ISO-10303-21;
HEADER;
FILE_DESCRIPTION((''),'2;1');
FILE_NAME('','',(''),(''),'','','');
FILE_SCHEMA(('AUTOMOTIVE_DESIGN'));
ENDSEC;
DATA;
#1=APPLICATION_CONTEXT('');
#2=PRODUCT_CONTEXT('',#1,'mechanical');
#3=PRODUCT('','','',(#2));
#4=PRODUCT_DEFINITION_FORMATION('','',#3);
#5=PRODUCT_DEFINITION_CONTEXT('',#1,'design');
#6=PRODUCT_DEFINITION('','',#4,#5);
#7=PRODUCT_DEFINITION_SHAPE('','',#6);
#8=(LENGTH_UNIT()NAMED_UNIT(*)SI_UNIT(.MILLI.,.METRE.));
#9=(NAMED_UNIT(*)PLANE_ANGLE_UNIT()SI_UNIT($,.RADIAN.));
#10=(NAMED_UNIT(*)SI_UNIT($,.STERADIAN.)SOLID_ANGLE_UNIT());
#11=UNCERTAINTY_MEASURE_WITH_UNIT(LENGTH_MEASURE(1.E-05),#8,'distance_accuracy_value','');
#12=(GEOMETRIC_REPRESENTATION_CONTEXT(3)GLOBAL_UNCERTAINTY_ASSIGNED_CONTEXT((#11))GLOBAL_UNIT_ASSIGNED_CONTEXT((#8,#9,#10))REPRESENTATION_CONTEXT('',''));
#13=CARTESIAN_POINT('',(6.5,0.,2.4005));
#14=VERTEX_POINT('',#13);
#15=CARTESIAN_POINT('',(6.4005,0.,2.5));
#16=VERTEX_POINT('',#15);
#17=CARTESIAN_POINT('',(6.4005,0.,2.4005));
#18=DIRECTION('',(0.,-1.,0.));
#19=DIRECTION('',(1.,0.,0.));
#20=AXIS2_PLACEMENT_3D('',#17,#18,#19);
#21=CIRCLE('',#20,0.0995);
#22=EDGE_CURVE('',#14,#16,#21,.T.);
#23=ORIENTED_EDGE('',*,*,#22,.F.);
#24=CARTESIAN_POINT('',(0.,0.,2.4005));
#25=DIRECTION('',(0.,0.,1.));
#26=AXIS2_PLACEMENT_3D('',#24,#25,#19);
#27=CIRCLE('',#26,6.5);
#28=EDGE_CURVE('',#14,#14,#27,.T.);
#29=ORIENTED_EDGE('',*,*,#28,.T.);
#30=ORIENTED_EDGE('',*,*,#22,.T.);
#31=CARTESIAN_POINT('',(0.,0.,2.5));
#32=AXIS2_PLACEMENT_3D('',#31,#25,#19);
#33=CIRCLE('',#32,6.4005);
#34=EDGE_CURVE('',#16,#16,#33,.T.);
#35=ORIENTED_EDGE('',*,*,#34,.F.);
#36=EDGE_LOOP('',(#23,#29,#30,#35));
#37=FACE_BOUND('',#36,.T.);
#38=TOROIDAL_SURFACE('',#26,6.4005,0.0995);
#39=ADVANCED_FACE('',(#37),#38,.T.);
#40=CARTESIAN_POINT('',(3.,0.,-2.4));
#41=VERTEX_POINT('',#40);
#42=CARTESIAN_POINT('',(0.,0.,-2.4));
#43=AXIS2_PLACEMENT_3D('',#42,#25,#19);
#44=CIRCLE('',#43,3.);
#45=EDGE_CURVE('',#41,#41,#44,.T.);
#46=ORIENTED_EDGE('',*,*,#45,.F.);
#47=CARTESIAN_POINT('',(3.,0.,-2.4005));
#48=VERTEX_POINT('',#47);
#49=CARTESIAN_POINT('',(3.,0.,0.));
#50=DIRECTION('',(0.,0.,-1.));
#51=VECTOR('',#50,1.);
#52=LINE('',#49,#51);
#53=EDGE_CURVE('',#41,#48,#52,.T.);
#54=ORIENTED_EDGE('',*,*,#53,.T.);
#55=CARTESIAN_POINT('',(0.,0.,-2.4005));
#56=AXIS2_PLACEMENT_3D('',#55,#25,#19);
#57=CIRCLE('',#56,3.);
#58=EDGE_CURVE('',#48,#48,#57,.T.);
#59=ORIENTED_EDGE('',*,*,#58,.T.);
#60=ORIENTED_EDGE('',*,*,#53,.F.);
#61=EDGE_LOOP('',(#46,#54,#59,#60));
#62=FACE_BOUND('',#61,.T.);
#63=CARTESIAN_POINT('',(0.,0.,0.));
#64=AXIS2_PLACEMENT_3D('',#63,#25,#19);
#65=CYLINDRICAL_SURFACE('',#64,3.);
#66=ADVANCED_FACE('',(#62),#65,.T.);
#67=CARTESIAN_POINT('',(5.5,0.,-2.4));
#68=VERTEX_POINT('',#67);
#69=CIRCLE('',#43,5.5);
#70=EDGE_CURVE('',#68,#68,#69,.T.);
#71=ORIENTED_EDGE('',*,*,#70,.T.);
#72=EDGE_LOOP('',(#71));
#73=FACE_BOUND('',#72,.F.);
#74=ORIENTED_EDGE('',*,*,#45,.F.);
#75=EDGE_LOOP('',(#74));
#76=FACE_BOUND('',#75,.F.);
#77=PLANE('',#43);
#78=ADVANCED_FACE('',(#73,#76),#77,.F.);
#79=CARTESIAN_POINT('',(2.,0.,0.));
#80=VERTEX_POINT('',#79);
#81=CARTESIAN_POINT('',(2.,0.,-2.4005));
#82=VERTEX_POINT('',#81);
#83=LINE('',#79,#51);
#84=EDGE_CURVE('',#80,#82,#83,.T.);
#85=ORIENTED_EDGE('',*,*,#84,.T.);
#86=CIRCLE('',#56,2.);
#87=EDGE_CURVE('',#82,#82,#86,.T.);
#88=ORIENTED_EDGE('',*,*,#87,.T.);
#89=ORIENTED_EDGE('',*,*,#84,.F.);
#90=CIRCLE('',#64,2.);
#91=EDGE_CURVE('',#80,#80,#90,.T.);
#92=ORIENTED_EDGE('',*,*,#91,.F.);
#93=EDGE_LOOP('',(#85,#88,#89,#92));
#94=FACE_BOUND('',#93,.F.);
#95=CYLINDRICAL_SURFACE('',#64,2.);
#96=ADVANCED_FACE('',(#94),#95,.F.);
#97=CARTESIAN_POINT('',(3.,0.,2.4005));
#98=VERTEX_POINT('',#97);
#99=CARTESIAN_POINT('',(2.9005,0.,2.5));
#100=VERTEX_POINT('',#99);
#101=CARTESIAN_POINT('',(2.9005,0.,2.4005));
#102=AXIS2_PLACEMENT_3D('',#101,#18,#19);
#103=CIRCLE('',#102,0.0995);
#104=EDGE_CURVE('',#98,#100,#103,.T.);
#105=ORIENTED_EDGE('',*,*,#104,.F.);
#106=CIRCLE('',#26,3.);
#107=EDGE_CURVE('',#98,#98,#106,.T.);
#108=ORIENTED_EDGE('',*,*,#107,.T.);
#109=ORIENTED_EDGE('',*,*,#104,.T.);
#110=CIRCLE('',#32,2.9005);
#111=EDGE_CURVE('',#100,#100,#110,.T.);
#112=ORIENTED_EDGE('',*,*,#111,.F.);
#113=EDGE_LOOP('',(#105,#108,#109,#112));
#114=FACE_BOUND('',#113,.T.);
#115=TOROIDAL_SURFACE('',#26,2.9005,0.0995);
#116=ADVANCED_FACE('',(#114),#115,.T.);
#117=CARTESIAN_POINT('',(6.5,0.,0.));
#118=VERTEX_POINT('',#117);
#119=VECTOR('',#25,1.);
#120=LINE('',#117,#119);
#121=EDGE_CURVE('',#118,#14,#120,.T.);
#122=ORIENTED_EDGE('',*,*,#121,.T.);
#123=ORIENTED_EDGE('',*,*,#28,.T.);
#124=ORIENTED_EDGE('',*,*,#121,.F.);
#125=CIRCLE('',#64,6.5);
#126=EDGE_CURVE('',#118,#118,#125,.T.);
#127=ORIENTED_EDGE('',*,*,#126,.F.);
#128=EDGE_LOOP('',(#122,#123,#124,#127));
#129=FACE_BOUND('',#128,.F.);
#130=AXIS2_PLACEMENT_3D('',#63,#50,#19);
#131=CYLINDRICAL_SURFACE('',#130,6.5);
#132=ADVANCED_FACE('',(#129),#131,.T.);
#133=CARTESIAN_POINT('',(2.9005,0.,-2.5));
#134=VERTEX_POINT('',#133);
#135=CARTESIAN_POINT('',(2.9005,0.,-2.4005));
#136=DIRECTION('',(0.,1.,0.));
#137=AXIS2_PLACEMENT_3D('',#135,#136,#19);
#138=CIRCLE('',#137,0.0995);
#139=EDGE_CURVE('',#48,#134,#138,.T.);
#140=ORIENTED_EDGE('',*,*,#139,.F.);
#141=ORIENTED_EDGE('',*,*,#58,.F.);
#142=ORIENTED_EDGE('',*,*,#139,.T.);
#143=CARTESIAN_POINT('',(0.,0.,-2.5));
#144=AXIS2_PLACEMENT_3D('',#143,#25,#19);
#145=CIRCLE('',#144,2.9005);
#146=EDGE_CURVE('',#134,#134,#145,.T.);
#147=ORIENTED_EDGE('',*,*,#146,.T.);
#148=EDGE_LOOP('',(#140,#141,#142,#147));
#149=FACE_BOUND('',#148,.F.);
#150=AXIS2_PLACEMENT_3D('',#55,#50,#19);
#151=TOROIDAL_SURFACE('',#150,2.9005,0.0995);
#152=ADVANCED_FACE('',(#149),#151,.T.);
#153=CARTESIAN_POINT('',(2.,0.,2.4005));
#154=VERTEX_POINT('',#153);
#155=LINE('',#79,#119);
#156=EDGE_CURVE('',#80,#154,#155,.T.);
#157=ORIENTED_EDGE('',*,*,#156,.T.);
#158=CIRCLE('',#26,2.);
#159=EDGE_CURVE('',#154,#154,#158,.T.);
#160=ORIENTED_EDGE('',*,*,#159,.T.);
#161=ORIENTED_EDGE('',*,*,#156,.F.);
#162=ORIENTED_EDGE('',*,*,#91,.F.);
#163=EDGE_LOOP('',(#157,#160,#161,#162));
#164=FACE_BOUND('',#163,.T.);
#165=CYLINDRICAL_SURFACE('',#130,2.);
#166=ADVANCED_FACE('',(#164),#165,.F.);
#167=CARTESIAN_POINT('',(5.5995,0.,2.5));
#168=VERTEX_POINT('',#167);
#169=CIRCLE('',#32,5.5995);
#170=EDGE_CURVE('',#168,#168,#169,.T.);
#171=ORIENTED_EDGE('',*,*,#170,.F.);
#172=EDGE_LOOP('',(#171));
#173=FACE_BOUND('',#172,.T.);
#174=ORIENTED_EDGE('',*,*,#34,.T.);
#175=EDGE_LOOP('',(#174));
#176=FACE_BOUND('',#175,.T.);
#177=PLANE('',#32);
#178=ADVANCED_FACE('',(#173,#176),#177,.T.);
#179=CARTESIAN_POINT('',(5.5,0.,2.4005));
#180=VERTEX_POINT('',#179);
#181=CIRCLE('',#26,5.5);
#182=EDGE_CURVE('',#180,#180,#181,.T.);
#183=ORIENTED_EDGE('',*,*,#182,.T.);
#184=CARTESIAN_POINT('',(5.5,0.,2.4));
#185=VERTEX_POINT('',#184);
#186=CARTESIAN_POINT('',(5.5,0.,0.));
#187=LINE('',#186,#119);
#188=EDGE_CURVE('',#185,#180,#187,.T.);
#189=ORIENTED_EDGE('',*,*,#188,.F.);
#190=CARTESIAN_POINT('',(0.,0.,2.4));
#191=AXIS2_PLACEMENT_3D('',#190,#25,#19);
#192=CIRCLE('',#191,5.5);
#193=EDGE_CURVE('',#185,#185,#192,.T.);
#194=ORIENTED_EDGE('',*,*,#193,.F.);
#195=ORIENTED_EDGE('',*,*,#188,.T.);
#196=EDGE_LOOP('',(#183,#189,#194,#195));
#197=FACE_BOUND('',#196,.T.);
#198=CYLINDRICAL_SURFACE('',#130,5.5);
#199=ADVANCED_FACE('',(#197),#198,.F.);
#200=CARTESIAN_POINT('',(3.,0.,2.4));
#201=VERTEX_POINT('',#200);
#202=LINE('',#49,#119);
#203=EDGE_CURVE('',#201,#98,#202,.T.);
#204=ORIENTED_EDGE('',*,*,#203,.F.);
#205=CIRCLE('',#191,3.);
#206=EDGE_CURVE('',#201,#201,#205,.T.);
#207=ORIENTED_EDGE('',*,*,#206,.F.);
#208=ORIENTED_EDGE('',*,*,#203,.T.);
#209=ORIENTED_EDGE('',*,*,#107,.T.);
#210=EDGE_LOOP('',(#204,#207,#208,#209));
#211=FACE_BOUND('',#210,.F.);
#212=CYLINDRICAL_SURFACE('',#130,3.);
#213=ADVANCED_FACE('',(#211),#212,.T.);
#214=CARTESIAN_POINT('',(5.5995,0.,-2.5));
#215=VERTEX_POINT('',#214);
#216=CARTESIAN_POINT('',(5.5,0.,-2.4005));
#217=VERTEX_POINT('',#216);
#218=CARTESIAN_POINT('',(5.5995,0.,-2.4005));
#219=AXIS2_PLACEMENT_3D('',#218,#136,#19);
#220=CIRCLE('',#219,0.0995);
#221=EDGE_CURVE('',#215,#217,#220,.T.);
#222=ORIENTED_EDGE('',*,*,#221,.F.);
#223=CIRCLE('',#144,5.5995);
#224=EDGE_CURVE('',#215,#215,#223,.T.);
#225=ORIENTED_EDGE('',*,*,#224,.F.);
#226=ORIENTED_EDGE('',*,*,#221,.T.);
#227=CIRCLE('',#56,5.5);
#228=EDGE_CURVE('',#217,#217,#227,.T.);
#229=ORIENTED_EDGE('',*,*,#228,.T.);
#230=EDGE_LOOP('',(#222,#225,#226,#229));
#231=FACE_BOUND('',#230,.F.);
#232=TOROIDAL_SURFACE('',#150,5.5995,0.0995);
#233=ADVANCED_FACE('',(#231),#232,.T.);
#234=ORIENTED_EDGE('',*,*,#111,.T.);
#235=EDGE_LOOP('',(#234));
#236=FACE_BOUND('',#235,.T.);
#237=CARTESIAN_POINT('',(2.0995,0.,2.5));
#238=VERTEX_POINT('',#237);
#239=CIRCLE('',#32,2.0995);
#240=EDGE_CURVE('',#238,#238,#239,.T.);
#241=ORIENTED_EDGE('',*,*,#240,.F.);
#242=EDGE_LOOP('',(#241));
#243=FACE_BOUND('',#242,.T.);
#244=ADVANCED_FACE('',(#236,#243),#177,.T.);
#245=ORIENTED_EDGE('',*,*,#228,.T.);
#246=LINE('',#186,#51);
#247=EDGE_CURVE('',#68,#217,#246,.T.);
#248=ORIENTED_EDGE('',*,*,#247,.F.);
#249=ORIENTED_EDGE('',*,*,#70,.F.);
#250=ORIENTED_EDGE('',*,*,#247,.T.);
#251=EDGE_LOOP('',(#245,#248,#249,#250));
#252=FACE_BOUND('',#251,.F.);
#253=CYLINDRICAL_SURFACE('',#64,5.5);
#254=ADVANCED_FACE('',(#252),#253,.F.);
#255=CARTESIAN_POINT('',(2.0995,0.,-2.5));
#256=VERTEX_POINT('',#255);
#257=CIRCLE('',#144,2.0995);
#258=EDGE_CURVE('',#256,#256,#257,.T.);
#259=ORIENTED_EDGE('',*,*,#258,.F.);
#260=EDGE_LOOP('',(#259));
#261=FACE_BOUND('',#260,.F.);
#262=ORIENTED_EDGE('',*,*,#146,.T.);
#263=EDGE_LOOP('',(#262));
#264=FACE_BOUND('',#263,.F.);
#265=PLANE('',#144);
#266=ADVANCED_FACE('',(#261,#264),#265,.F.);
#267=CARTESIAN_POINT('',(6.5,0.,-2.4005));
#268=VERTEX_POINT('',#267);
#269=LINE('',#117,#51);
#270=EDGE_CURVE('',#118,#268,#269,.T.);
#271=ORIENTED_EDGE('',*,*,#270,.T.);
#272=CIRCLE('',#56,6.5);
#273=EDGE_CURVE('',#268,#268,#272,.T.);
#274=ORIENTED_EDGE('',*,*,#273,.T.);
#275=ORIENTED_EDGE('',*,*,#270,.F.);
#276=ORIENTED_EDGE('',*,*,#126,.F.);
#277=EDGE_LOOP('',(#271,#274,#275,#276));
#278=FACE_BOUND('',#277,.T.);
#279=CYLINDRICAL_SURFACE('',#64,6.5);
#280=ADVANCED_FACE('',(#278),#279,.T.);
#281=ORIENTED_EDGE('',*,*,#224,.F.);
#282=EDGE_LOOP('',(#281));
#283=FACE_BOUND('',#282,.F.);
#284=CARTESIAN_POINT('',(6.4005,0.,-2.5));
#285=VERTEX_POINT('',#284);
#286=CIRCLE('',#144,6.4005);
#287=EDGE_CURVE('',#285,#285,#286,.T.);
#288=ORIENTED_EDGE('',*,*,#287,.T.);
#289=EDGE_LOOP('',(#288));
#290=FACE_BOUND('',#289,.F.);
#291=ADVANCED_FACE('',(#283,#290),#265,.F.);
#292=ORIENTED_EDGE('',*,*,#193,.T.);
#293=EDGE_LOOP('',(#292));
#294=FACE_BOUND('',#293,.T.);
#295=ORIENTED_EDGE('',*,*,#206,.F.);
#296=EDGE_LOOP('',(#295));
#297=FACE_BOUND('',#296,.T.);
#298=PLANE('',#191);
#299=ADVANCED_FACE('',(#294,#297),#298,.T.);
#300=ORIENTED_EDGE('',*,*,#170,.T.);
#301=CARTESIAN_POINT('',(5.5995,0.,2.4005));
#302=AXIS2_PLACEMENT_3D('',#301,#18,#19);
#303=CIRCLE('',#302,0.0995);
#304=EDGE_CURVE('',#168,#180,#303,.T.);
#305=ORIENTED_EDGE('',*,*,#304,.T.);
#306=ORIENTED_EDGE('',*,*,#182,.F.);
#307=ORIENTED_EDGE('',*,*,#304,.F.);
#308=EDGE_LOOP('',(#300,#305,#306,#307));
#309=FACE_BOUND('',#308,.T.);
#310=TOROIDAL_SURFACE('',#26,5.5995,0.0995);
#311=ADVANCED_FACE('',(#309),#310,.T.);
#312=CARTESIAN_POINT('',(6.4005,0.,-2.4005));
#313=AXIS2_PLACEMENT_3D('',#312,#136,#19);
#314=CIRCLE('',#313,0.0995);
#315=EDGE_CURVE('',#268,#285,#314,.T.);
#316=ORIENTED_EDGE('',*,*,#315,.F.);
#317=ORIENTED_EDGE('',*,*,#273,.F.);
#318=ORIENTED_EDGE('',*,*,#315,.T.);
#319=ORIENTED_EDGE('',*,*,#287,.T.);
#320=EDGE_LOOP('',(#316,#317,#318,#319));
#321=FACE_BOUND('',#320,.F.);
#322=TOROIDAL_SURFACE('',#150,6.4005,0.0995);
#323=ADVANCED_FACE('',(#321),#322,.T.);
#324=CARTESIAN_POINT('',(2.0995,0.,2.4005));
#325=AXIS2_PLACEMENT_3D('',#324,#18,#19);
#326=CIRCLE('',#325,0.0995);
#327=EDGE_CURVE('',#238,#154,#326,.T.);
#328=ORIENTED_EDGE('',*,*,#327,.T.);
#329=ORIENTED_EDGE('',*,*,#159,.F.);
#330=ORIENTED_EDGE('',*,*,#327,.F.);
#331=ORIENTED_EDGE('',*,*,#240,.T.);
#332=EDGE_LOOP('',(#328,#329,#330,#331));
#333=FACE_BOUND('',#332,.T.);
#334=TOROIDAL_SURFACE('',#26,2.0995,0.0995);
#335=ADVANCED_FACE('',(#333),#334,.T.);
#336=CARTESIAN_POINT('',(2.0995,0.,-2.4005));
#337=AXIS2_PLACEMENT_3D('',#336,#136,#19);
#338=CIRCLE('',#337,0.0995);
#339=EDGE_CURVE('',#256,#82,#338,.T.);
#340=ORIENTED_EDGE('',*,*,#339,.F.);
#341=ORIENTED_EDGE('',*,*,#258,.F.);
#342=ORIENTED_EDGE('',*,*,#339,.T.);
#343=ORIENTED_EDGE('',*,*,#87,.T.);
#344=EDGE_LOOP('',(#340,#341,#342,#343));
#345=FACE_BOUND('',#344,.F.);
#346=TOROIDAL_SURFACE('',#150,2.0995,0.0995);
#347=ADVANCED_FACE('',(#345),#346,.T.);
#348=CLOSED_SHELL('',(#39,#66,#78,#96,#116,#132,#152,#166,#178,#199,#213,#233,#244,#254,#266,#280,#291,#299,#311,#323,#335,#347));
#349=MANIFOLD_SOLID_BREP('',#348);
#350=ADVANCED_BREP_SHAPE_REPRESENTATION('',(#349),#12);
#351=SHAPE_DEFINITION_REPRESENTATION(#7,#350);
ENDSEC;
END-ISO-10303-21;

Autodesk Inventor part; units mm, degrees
ref_plane "YZ Plane" through (0, 0, 0) normal (1, 0, 0) x (0, 1, 0)
ref_plane "XZ Plane" through (0, 0, 0) normal (0, 1, 0) x (-1, 0, 0)
ref_plane "XY Plane" through (0, 0, 0) normal (0, 0, 1) x (1, 0, 0)
sketch "Sketch1" plane through (0, 0, 0) normal (0, 0, 1) x (1, 0, 0)
  circle A0 centre (0, 0) radius 2
  circle A1 centre (0, 0) radius 6.5
  circle A2 centre (0, 0) radius 5.5
  circle A3 centre (0, 0) radius 3
  dimension "d0" = 4
  dimension "d1" = 13
  dimension "d2" = 1
  dimension "d3" = 1
extrude "Extrusion1" add sketch "Sketch1" along normal mid plane 5
extrude "Extrusion2" add sketch "Sketch1" along normal mid plane 4.8 contours A2
fillet "Fillet1" radius 0.1 8 edges at (-6.5, 0, 2.5) (-6.5, 0, -2.5) (-2, 0, 2.5) (-5.5, 0, 2.5) (-3, 0, 2.5) (-2, 0, -2.5) (-3, 0, -2.5) (-5.5, 0, -2.5)
properties part number "624 Bearing" material "Steel, Carbon"
